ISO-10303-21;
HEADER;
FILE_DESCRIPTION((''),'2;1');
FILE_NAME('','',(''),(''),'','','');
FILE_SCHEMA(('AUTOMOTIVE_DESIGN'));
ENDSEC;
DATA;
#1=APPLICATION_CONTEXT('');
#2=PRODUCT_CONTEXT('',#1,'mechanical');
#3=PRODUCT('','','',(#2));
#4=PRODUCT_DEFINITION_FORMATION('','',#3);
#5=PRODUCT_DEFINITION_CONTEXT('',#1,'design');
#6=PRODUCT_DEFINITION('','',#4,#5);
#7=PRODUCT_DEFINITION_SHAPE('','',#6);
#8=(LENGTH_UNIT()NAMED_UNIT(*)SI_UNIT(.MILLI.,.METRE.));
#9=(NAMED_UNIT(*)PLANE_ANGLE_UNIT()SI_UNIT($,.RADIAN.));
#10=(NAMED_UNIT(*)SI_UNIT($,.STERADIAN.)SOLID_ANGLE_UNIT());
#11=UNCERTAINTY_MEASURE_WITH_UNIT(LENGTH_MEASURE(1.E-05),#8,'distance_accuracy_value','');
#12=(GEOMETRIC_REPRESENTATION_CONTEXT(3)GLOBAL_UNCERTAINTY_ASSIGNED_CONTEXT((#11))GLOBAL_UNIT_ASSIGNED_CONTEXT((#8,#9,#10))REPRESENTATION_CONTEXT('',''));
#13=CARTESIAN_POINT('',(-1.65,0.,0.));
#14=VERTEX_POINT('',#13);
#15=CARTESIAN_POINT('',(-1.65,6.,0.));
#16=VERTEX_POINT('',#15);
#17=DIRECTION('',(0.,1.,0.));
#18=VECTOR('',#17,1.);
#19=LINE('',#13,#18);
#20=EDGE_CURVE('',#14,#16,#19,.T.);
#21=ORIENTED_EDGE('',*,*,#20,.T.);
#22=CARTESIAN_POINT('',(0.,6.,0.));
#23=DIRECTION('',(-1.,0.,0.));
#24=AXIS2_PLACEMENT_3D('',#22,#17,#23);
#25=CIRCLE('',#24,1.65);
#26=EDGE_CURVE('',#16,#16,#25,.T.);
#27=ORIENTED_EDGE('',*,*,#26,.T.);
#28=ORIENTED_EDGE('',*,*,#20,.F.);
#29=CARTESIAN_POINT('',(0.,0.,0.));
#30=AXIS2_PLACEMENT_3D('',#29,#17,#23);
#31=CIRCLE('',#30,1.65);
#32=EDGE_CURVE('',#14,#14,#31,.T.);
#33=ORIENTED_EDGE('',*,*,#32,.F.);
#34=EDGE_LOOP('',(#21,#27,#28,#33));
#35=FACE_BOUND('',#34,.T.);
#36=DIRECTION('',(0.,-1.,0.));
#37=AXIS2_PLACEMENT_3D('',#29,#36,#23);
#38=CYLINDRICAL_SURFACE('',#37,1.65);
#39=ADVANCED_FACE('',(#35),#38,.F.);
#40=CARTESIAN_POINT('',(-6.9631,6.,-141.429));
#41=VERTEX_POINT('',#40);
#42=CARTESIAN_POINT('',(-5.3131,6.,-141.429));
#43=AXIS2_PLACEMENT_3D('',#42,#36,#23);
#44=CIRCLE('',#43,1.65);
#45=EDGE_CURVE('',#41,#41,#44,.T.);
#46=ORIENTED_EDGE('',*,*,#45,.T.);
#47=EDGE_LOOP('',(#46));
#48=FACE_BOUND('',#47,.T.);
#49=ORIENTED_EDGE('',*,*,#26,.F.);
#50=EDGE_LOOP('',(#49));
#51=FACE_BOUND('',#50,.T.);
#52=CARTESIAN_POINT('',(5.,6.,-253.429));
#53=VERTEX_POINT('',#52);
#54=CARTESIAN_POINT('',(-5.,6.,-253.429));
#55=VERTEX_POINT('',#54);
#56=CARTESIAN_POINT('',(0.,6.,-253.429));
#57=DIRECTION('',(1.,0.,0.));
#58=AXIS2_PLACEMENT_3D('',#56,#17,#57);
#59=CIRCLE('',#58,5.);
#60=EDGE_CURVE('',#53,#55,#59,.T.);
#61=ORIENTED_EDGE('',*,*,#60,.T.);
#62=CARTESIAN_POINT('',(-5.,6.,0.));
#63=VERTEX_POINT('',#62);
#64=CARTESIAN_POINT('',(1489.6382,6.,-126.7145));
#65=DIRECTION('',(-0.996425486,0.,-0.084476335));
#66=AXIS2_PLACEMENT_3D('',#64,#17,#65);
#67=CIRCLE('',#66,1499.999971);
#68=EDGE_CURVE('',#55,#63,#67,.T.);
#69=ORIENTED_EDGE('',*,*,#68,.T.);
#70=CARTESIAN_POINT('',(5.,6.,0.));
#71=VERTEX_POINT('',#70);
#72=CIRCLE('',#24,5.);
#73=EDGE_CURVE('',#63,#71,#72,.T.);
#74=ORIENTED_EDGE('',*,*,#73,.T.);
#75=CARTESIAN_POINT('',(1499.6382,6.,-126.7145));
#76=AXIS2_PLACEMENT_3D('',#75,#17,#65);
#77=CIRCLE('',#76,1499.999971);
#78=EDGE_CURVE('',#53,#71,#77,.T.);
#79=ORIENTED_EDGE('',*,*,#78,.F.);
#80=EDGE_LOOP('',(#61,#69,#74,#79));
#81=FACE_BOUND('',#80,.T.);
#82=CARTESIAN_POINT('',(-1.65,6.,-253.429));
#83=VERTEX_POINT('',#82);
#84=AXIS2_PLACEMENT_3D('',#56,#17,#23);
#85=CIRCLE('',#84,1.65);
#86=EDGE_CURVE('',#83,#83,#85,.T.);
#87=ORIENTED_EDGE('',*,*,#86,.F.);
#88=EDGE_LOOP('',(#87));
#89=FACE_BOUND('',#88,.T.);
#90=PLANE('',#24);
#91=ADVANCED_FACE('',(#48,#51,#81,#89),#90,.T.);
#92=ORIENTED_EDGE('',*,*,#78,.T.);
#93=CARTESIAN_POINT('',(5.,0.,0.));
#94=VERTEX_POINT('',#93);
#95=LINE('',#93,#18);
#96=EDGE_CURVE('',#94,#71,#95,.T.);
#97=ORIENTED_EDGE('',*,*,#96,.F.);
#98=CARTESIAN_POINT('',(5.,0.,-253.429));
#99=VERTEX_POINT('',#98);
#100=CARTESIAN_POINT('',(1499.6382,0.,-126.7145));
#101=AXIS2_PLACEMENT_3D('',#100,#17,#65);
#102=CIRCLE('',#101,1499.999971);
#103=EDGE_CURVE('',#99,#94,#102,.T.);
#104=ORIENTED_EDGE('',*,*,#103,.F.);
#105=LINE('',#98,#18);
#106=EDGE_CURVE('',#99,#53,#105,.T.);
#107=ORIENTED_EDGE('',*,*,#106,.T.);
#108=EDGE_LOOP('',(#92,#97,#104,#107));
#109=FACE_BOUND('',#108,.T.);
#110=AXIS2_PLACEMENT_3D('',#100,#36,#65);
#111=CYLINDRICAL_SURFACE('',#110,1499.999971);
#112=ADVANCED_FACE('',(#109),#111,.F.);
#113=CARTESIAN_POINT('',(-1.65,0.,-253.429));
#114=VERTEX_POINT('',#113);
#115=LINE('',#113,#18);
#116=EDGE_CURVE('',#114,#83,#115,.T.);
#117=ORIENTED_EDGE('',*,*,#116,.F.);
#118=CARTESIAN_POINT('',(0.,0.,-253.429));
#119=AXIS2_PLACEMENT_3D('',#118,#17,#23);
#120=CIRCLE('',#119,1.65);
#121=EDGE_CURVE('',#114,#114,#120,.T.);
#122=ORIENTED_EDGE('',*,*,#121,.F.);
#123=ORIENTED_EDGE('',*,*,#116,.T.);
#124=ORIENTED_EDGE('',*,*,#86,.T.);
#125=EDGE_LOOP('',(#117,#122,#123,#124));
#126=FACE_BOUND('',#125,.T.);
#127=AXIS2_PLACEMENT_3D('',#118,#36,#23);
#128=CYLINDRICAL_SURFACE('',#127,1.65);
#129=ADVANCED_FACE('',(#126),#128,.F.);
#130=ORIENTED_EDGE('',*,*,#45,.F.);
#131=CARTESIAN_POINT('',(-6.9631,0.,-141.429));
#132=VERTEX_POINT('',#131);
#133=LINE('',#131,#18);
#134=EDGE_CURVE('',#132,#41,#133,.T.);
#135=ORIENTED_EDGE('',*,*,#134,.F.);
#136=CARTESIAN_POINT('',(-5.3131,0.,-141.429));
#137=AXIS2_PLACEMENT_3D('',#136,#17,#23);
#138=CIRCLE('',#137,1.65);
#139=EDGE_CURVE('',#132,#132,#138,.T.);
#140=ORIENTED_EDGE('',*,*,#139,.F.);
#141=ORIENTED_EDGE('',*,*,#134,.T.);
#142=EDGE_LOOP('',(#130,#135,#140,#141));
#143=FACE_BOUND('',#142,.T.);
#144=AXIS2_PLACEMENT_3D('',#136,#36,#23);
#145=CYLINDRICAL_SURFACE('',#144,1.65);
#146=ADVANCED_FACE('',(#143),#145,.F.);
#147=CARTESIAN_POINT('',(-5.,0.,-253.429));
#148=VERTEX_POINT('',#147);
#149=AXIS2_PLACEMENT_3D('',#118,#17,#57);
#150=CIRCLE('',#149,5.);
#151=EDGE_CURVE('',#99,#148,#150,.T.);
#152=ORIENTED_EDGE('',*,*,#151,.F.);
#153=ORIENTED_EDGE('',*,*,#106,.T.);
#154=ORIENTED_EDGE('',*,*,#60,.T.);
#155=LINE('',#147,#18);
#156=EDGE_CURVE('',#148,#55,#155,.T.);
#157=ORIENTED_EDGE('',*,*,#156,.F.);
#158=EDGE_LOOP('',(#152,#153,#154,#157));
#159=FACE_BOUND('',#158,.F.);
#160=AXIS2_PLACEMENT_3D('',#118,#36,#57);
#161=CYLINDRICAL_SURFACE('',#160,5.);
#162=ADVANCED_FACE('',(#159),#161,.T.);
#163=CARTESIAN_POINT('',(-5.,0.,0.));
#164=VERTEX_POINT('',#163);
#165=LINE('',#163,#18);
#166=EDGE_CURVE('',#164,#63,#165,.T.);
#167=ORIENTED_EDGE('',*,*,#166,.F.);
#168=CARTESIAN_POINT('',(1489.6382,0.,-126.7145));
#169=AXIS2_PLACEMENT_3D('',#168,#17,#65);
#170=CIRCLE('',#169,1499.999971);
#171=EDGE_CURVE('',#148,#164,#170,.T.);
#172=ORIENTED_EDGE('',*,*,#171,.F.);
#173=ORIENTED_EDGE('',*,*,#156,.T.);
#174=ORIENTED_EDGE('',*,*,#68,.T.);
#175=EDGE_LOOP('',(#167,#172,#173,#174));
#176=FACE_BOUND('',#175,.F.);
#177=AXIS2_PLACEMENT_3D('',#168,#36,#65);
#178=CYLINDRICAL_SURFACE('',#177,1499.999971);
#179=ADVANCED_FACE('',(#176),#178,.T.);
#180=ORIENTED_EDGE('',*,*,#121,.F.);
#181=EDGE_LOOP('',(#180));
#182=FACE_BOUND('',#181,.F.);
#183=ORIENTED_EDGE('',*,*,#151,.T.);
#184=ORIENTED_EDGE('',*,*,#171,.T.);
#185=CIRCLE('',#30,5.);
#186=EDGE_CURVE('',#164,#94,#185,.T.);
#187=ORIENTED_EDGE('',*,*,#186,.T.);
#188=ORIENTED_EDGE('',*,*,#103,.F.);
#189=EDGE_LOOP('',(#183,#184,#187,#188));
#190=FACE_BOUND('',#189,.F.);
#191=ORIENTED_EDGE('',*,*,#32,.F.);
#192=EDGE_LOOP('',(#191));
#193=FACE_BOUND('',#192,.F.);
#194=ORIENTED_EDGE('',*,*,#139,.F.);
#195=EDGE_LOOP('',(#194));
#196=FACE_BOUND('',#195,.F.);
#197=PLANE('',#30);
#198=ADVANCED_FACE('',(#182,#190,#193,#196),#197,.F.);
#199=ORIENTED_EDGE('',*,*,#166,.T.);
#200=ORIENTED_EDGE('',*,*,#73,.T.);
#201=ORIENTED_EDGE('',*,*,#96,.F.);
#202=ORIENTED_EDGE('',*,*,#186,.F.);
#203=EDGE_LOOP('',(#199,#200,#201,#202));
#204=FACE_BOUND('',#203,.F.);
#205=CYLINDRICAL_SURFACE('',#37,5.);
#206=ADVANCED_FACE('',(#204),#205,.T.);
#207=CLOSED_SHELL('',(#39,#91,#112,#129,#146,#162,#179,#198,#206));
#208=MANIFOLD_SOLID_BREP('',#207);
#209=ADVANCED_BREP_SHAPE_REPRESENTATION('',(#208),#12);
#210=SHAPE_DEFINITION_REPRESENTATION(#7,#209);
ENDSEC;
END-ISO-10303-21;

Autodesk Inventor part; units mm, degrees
ref_plane "YZ Plane" through (0, 0, 0) normal (1, 0, 0) x (0, 1, 0)
ref_plane "XZ Plane" through (0, 0, 0) normal (0, 1, 0) x (-1, 0, 0)
ref_plane "XY Plane" through (0, 0, 0) normal (0, 0, 1) x (1, 0, 0)
sketch "Sketch1" plane through (0, 0, 0) normal (0, 1, 0) x (-1, 0, 0)
  line L0 (0, 0) -> (0, -253.429) construction
  line L1 (5, 0) -> (5, -253.429)
  line L2 (-5, -253.429) -> (-5, 0)
  arc A0 (5, 0) -> (-5, 0) centre (0, 0) ccw
  arc A1 (-5, -253.429) -> (5, -253.429) centre (0, -253.429) ccw
  circle A2 centre (0, 0) radius 1.65
  circle A3 centre (0, -253.429) radius 1.65
  arc A4 (5, -253.429) -> (5, 0) centre (-1489.6382, -126.7145) ccw
  arc A5 (-5, -253.429) -> (-5, 0) centre (-1499.6382, -126.7145) ccw
  circle A6 centre (5.3131, -141.429) radius 1.65
  point P0 (0, -126.7145)
  dimension "d0" = 3.3
  dimension "d1" = 3.3
  dimension "d2" = 10
  dimension "d3" = 253.429
  dimension "d16" = 1500
  dimension "d17" = 1500
  dimension "d18" = 3.3
  dimension "d19" = 112
extrude "Extrusion1" add sketch "Sketch1" along normal blind 6 contours A4 L1 A6 | L1 A6 A1 A5 A0
